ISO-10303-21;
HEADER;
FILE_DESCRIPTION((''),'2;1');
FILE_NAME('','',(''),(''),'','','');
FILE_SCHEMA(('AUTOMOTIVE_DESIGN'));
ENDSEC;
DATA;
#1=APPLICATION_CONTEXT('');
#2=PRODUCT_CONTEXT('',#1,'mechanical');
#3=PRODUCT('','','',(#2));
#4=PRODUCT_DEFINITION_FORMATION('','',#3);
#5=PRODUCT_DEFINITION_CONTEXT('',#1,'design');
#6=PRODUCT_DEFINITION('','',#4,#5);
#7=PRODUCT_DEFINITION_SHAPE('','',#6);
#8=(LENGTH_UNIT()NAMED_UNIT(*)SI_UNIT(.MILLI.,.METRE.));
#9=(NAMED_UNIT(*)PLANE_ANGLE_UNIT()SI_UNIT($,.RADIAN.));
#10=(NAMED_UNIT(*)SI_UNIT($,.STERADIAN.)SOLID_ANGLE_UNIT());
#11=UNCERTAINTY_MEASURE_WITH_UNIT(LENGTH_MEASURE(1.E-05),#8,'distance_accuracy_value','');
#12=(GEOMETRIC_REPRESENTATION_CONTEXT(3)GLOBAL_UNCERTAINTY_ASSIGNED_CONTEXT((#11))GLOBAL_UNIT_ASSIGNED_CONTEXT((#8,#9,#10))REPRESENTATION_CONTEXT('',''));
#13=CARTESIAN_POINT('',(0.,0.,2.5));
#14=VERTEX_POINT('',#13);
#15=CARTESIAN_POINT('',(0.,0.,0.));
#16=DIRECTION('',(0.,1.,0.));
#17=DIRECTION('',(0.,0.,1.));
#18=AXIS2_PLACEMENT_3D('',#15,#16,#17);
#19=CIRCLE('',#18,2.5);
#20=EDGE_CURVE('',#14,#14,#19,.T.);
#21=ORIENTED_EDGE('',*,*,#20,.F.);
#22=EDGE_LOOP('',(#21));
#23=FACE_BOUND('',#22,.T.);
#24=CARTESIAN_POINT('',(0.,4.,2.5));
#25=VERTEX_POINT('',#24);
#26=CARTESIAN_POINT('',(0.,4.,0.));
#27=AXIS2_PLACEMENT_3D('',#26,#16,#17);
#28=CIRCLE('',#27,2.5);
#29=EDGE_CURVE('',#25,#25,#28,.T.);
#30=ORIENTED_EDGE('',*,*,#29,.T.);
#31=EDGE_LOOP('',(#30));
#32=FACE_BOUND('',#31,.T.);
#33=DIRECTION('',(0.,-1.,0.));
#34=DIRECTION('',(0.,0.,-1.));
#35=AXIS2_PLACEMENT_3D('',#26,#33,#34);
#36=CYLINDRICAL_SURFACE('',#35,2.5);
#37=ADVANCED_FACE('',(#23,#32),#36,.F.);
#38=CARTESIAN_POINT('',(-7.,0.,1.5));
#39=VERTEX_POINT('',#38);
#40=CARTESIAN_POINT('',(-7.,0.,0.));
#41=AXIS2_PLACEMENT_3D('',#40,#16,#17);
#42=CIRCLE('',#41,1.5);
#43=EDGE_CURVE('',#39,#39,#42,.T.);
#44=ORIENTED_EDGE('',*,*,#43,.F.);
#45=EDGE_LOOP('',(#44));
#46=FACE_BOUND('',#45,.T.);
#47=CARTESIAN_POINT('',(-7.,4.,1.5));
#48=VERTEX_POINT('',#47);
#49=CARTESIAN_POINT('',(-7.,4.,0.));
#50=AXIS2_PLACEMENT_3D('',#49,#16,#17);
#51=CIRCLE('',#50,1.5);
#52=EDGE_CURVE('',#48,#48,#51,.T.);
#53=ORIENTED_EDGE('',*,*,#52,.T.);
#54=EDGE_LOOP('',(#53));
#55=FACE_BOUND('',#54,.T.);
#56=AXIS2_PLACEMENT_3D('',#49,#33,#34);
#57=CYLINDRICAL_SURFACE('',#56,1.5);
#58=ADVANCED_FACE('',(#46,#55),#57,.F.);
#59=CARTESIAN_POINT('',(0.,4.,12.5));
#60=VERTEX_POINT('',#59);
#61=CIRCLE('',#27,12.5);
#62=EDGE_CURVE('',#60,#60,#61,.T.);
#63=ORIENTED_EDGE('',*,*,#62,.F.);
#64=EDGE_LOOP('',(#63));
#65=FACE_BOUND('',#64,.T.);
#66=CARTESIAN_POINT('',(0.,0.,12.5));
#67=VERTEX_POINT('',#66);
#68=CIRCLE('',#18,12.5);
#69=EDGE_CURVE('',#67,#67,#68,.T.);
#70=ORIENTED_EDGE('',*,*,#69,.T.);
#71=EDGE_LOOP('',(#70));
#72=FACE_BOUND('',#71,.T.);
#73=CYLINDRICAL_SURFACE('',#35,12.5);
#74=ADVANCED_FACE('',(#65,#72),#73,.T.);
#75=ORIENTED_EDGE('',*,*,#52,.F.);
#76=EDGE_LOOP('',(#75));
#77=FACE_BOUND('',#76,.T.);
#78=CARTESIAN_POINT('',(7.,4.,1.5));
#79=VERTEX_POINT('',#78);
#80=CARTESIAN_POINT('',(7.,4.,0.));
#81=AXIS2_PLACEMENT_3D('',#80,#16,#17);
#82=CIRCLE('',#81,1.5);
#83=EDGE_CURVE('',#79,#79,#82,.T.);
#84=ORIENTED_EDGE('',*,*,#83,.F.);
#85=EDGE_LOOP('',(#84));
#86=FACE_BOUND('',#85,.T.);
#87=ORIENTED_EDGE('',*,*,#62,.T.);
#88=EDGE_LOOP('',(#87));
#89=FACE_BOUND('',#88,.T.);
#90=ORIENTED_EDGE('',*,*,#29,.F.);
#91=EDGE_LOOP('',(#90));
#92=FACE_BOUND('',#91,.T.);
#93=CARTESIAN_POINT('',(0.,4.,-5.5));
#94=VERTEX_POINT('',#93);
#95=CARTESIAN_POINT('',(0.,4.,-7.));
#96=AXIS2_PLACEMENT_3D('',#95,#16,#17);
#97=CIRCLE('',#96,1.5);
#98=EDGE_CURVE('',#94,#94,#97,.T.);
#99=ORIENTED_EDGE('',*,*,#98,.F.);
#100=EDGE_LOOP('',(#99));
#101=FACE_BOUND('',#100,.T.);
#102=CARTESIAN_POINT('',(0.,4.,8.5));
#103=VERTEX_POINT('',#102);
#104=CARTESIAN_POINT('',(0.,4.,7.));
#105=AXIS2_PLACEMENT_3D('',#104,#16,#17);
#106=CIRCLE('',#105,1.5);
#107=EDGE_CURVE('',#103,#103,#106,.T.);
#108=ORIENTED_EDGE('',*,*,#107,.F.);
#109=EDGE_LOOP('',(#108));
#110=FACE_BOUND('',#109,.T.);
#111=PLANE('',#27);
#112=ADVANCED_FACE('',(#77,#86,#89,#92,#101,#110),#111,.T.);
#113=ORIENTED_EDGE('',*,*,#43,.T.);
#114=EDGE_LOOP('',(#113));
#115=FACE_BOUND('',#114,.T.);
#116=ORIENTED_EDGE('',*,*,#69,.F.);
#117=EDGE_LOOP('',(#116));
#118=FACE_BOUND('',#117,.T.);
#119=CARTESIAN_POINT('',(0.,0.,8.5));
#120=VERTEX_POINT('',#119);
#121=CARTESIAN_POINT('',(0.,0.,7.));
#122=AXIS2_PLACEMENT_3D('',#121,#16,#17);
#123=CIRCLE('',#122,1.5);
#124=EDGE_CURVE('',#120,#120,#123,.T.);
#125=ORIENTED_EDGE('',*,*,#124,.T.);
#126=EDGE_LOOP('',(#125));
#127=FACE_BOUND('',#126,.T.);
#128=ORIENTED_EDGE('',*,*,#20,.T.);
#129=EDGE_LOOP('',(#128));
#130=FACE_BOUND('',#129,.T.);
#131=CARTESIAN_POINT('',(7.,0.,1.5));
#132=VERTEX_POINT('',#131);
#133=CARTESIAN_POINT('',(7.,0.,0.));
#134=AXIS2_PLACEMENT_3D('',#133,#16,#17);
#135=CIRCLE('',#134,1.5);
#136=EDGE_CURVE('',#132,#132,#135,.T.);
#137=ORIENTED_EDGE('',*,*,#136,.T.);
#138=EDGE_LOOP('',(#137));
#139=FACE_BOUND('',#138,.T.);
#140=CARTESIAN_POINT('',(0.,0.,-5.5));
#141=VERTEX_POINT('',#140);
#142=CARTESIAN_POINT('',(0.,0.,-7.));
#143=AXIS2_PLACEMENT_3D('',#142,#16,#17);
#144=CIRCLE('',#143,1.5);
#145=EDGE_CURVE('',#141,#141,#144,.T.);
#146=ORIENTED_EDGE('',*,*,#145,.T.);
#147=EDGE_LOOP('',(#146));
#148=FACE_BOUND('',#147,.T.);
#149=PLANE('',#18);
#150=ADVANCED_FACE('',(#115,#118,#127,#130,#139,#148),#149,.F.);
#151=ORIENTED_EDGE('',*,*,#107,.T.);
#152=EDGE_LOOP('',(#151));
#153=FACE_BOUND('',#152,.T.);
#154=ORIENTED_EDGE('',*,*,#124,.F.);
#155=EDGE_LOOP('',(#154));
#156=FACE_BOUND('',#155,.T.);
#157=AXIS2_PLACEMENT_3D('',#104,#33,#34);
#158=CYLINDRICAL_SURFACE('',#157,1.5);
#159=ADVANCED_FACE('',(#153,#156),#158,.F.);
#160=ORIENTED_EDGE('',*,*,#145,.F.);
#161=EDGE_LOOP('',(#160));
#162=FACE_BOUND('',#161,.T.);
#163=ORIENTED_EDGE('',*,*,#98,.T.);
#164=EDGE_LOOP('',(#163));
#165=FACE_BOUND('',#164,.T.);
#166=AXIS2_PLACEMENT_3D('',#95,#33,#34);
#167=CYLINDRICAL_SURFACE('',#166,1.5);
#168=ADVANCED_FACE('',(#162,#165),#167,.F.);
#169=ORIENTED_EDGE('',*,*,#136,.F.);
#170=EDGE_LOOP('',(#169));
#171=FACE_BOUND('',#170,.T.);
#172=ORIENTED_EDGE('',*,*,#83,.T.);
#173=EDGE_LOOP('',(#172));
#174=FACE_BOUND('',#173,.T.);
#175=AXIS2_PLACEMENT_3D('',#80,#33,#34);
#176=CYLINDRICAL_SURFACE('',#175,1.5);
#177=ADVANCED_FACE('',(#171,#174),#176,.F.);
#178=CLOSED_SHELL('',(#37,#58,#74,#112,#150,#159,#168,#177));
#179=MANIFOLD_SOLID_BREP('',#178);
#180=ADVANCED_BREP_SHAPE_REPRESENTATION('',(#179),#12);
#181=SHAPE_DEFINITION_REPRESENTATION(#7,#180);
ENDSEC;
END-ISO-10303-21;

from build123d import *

# Parameters (mm, degrees)
SKETCH_1_R      = 12.5
SKETCH_1_R_2    = 1.5
SKETCH_1_R_3    = 2.5
EXTRUDE_1_DEPTH = 4


with BuildPart() as part:
    # 草图1 → 凸台-拉伸1 (new body)
    with BuildSketch(Plane(origin=(0, 0, 0), x_dir=(1, 0, 0), z_dir=(0, 1, 0))):
        with Locations(Location((0, 0, 0), (0, 0, 270))):
            Circle(SKETCH_1_R)
        with Locations(Location((0, 7, 0), (0, 0, 270))):
            Circle(SKETCH_1_R_2, mode=Mode.SUBTRACT)
        with Locations(Location((7, 0, 0), (0, 0, 270))):
            Circle(SKETCH_1_R_2, mode=Mode.SUBTRACT)
        with Locations(Location((0, -7, 0), (0, 0, 270))):
            Circle(SKETCH_1_R_2, mode=Mode.SUBTRACT)
        with Locations(Location((-7, 0, 0), (0, 0, 270))):
            Circle(SKETCH_1_R_2, mode=Mode.SUBTRACT)
        with Locations(Location((0, 0, 0), (0, 0, 270))):
            Circle(SKETCH_1_R_3, mode=Mode.SUBTRACT)
    extrude(amount=EXTRUDE_1_DEPTH)


solid = part.part
